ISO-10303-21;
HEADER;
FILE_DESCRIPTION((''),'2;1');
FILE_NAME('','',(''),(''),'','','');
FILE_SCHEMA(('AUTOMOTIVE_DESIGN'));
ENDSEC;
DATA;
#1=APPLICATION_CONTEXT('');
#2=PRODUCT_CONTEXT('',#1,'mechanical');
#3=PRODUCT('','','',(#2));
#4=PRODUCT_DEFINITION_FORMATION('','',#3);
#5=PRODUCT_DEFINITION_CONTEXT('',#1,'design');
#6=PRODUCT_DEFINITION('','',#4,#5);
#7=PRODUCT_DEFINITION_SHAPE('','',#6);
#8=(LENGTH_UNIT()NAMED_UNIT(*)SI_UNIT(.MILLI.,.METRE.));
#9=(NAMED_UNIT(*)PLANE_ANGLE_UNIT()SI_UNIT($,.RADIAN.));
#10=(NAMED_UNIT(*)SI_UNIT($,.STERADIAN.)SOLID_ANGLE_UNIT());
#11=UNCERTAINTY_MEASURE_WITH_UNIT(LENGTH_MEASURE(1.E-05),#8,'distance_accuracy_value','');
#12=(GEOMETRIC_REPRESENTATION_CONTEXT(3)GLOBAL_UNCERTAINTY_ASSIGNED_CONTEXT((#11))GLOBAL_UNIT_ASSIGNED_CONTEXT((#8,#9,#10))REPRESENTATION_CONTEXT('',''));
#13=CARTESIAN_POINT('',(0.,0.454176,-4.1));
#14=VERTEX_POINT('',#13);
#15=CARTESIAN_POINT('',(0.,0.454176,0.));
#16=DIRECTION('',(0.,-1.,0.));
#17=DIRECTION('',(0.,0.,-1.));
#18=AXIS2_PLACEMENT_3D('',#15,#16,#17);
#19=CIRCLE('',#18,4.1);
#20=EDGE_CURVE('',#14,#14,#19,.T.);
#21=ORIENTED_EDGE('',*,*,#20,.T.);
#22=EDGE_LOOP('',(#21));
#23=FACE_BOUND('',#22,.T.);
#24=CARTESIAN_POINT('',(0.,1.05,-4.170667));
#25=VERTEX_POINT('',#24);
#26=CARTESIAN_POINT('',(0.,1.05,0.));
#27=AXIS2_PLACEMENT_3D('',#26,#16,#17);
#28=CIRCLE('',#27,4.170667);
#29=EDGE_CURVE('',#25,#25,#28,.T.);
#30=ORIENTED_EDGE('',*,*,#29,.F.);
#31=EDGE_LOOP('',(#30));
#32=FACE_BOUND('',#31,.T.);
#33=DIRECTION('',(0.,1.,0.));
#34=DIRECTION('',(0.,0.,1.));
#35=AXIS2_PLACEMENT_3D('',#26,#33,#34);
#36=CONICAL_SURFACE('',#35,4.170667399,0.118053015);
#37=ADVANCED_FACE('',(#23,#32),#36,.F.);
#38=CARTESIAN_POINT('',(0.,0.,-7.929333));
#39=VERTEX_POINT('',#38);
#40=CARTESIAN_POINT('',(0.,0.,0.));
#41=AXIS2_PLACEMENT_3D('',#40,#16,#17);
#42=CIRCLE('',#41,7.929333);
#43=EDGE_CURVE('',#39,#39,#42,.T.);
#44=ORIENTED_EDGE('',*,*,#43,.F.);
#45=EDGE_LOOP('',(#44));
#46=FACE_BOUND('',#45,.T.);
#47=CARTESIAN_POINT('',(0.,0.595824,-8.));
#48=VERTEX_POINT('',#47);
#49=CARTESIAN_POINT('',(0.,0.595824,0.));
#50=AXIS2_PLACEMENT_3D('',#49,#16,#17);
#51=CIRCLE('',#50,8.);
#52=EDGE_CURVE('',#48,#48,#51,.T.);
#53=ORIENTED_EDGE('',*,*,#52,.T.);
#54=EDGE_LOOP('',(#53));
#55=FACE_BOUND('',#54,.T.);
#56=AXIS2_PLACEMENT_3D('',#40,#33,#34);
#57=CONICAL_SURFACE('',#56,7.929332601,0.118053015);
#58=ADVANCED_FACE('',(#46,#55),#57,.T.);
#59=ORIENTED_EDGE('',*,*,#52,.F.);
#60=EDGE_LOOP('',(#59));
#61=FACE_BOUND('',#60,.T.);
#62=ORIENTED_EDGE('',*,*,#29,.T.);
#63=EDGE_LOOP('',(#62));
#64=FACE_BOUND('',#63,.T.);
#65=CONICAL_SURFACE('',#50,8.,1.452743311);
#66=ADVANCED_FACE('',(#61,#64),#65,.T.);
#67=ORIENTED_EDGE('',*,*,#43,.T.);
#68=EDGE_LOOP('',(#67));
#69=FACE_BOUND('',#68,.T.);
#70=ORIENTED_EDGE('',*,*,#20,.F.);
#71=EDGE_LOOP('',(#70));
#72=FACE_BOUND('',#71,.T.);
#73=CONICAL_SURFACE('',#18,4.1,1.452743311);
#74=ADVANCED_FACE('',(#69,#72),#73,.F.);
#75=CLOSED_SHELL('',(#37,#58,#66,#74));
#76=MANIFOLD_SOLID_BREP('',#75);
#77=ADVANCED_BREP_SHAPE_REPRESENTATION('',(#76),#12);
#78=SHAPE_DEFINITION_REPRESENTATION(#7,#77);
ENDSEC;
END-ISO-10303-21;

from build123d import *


with BuildPart() as part:
    # Sketch1 → Revolve1 (revolve)
    with BuildSketch(Plane.XY):
        Polygon((7.929332601, 0), (4.1, 0.454176101), (4.170667399, 1.05), (8, 0.595823899), align=None)
    revolve(axis=Axis((0, 0, 0), (0, 1, 0)))


solid = part.part
